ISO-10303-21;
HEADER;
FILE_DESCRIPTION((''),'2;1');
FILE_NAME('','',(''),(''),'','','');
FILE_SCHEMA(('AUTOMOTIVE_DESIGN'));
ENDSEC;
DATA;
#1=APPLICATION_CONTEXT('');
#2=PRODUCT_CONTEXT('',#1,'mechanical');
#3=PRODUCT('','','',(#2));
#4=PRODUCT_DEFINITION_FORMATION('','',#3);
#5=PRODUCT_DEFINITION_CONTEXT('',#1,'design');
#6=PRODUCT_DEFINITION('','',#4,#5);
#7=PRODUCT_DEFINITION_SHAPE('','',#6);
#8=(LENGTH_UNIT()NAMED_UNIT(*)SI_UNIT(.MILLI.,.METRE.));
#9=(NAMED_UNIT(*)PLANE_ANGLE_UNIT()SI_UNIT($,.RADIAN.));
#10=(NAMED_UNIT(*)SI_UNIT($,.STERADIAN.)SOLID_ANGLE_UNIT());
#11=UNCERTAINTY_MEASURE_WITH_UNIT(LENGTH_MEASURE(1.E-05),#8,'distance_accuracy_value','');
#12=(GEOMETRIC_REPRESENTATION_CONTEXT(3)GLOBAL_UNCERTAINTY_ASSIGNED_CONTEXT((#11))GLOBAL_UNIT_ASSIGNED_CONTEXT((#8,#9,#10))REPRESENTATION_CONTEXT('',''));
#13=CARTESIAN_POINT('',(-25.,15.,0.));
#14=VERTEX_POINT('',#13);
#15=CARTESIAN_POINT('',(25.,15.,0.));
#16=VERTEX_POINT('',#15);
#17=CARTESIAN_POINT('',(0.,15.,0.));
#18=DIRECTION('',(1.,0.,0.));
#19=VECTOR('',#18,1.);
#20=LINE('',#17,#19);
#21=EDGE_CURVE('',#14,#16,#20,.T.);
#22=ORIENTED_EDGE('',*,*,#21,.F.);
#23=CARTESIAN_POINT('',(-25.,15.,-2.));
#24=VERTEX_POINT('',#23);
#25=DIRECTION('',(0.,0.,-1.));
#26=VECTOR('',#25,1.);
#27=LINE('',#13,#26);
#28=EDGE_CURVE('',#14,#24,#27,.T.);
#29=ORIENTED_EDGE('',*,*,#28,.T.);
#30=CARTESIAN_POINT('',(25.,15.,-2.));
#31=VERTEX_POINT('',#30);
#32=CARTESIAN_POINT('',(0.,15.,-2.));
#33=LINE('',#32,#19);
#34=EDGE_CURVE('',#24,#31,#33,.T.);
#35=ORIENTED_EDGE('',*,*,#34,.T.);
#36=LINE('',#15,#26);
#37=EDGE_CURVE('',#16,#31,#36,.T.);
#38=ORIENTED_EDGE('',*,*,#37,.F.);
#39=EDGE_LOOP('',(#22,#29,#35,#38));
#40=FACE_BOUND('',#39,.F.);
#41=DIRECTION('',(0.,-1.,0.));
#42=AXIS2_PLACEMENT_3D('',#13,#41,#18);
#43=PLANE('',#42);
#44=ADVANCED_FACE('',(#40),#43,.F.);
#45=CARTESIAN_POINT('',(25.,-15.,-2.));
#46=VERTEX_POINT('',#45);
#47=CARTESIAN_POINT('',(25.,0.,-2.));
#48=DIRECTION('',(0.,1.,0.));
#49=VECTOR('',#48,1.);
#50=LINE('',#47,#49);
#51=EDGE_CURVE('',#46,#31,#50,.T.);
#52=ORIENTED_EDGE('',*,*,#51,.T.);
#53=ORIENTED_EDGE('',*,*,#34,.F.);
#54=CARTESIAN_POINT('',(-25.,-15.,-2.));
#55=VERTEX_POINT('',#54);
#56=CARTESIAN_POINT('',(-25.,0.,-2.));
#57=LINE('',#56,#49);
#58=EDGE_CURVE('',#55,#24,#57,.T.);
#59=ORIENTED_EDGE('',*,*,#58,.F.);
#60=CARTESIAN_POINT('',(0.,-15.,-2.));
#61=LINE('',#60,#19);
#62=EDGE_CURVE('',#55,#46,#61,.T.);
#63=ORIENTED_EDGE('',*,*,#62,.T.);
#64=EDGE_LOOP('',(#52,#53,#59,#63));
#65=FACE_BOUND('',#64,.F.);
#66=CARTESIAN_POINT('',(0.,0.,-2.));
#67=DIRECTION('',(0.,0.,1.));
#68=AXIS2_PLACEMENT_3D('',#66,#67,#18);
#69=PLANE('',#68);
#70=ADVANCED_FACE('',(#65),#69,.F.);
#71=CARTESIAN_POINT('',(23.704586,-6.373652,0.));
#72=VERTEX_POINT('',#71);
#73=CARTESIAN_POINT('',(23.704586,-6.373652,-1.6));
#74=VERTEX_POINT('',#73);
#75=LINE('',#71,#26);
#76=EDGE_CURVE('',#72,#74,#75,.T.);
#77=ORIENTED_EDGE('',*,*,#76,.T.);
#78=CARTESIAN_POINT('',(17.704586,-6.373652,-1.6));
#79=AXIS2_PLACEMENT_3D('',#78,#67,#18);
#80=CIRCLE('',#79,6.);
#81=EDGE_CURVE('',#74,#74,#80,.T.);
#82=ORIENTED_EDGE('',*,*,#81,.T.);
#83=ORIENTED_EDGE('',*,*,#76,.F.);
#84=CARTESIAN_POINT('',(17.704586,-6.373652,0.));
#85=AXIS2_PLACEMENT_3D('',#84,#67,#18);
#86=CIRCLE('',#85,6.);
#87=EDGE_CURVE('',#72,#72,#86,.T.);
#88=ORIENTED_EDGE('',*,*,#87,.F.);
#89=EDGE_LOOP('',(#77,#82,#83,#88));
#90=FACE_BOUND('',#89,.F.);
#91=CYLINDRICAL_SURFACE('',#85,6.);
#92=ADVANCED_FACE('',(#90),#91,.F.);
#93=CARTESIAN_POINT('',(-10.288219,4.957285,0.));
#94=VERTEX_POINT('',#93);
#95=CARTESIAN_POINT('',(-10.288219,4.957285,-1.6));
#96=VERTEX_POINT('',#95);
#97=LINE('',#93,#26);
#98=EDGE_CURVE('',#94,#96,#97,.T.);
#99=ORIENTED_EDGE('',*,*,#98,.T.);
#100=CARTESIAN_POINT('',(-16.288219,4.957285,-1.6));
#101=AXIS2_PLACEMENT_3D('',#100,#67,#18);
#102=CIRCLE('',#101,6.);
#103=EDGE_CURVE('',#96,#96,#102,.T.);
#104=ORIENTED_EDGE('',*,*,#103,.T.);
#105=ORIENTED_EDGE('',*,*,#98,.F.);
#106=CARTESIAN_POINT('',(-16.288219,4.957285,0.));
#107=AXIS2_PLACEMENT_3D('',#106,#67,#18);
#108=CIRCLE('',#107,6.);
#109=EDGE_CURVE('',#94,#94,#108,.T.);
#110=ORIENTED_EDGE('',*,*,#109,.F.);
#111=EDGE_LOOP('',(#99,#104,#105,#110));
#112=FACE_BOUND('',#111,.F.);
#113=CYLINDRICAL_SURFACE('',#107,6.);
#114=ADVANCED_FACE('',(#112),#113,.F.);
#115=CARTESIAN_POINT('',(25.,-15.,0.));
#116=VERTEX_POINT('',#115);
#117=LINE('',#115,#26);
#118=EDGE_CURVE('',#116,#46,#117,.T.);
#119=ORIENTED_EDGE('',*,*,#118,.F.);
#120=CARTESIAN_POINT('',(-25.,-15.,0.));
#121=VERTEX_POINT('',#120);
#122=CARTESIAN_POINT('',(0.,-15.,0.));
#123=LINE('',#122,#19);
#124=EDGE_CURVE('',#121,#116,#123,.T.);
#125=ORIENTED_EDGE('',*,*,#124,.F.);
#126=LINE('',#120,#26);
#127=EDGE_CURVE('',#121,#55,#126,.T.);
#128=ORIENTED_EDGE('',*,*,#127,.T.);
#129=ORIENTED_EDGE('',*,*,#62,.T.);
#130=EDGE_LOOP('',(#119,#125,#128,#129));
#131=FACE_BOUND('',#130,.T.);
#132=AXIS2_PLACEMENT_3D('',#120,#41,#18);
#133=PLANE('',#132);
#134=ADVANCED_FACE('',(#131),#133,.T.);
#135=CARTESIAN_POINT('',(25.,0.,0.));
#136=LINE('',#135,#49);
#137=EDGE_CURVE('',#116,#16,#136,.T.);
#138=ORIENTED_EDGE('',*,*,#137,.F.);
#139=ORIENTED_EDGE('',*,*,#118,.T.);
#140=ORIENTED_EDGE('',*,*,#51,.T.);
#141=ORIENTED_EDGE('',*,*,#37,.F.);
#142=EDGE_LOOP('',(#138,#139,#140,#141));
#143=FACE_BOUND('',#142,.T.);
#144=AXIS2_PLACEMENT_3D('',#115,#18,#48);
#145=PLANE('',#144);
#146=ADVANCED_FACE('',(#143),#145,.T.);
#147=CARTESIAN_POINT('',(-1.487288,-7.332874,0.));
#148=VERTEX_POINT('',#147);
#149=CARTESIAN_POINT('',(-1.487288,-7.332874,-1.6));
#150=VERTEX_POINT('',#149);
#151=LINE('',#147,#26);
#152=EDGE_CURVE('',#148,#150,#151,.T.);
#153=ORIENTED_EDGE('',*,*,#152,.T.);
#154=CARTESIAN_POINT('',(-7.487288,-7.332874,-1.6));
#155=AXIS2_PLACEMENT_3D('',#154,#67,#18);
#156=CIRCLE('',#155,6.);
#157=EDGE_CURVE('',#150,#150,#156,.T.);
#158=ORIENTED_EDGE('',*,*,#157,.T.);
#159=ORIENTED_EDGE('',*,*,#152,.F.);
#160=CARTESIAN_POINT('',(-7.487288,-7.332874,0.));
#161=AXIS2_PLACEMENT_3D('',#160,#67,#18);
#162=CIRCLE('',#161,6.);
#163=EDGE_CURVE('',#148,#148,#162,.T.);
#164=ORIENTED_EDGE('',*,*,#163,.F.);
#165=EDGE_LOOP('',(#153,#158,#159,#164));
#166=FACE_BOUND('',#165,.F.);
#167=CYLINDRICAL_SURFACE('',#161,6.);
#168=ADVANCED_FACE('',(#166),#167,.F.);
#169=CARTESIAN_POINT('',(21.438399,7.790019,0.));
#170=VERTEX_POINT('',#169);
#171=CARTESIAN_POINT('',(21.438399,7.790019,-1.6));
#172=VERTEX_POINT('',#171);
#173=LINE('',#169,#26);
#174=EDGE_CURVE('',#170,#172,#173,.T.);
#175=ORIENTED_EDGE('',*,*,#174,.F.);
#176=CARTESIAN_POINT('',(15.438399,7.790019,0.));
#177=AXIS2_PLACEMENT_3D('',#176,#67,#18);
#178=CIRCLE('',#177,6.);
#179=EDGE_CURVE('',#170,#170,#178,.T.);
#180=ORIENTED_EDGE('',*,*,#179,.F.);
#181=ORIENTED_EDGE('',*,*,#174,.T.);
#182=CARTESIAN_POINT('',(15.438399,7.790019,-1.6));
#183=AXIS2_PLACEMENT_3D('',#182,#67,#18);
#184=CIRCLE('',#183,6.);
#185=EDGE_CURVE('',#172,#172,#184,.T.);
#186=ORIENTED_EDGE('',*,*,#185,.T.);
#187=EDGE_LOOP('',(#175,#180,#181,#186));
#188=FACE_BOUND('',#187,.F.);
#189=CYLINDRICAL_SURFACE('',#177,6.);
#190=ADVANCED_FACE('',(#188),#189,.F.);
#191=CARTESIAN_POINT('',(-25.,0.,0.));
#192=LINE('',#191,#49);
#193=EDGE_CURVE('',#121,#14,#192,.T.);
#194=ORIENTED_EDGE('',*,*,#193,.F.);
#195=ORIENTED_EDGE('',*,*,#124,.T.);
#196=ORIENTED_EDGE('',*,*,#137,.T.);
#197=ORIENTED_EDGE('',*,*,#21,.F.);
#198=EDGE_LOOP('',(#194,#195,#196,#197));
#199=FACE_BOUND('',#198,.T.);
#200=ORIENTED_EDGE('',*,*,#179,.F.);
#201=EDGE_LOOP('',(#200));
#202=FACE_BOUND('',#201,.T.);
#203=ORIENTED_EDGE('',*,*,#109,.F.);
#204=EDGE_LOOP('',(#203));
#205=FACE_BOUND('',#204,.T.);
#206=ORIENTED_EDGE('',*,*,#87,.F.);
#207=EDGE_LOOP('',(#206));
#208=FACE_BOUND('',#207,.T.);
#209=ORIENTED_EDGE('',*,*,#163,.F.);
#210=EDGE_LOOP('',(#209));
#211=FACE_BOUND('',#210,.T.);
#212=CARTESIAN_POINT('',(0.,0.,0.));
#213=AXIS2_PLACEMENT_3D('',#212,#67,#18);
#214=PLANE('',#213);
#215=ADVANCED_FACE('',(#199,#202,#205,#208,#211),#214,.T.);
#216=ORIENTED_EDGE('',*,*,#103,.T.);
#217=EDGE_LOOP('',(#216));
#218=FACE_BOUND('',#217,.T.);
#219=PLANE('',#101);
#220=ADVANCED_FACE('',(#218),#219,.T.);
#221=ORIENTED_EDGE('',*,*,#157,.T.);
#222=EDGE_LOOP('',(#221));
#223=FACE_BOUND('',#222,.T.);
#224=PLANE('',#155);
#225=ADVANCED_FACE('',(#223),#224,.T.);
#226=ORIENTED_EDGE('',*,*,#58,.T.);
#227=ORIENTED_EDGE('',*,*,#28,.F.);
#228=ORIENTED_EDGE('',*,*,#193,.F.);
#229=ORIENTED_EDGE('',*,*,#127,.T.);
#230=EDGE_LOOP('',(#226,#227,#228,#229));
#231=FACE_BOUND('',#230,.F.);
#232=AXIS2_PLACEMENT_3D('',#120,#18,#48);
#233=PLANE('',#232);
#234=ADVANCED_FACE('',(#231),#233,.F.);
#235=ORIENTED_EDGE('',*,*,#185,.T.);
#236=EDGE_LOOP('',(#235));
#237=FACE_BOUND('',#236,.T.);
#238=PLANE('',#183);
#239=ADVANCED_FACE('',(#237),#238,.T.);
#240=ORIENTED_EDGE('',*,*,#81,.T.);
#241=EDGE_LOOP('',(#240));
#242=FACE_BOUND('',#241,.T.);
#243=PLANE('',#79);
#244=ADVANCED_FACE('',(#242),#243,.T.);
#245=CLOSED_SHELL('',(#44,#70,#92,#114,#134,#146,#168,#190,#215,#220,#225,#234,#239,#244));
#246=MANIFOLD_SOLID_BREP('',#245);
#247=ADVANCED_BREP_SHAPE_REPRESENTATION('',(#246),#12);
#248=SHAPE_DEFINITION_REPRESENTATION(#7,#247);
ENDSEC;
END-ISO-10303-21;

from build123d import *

# Parameters (mm, degrees)
F0_W     = 50
F0_H     = 30
F1_DEPTH = 2
F2_R     = 6
F3_DEPTH = 1.6


with BuildPart() as f1:
    # F0 (on Top) → F1 (new body)
    with BuildSketch(Plane.XY):
        Rectangle(F0_W, F0_H)
    extrude(amount=-F1_DEPTH)

    # F2 (on Top) → F3 (cut)
    with BuildSketch(Plane.XY):
        with Locations((-16.288219, 4.957285)):
            Circle(F2_R)
        with Locations((-7.487288, -7.332874)):
            Circle(F2_R)
        with Locations((15.438399, 7.790019)):
            Circle(F2_R)
        with Locations((17.704586, -6.373652)):
            Circle(F2_R)
    extrude(amount=-F3_DEPTH, mode=Mode.SUBTRACT)


solid = f1.part
